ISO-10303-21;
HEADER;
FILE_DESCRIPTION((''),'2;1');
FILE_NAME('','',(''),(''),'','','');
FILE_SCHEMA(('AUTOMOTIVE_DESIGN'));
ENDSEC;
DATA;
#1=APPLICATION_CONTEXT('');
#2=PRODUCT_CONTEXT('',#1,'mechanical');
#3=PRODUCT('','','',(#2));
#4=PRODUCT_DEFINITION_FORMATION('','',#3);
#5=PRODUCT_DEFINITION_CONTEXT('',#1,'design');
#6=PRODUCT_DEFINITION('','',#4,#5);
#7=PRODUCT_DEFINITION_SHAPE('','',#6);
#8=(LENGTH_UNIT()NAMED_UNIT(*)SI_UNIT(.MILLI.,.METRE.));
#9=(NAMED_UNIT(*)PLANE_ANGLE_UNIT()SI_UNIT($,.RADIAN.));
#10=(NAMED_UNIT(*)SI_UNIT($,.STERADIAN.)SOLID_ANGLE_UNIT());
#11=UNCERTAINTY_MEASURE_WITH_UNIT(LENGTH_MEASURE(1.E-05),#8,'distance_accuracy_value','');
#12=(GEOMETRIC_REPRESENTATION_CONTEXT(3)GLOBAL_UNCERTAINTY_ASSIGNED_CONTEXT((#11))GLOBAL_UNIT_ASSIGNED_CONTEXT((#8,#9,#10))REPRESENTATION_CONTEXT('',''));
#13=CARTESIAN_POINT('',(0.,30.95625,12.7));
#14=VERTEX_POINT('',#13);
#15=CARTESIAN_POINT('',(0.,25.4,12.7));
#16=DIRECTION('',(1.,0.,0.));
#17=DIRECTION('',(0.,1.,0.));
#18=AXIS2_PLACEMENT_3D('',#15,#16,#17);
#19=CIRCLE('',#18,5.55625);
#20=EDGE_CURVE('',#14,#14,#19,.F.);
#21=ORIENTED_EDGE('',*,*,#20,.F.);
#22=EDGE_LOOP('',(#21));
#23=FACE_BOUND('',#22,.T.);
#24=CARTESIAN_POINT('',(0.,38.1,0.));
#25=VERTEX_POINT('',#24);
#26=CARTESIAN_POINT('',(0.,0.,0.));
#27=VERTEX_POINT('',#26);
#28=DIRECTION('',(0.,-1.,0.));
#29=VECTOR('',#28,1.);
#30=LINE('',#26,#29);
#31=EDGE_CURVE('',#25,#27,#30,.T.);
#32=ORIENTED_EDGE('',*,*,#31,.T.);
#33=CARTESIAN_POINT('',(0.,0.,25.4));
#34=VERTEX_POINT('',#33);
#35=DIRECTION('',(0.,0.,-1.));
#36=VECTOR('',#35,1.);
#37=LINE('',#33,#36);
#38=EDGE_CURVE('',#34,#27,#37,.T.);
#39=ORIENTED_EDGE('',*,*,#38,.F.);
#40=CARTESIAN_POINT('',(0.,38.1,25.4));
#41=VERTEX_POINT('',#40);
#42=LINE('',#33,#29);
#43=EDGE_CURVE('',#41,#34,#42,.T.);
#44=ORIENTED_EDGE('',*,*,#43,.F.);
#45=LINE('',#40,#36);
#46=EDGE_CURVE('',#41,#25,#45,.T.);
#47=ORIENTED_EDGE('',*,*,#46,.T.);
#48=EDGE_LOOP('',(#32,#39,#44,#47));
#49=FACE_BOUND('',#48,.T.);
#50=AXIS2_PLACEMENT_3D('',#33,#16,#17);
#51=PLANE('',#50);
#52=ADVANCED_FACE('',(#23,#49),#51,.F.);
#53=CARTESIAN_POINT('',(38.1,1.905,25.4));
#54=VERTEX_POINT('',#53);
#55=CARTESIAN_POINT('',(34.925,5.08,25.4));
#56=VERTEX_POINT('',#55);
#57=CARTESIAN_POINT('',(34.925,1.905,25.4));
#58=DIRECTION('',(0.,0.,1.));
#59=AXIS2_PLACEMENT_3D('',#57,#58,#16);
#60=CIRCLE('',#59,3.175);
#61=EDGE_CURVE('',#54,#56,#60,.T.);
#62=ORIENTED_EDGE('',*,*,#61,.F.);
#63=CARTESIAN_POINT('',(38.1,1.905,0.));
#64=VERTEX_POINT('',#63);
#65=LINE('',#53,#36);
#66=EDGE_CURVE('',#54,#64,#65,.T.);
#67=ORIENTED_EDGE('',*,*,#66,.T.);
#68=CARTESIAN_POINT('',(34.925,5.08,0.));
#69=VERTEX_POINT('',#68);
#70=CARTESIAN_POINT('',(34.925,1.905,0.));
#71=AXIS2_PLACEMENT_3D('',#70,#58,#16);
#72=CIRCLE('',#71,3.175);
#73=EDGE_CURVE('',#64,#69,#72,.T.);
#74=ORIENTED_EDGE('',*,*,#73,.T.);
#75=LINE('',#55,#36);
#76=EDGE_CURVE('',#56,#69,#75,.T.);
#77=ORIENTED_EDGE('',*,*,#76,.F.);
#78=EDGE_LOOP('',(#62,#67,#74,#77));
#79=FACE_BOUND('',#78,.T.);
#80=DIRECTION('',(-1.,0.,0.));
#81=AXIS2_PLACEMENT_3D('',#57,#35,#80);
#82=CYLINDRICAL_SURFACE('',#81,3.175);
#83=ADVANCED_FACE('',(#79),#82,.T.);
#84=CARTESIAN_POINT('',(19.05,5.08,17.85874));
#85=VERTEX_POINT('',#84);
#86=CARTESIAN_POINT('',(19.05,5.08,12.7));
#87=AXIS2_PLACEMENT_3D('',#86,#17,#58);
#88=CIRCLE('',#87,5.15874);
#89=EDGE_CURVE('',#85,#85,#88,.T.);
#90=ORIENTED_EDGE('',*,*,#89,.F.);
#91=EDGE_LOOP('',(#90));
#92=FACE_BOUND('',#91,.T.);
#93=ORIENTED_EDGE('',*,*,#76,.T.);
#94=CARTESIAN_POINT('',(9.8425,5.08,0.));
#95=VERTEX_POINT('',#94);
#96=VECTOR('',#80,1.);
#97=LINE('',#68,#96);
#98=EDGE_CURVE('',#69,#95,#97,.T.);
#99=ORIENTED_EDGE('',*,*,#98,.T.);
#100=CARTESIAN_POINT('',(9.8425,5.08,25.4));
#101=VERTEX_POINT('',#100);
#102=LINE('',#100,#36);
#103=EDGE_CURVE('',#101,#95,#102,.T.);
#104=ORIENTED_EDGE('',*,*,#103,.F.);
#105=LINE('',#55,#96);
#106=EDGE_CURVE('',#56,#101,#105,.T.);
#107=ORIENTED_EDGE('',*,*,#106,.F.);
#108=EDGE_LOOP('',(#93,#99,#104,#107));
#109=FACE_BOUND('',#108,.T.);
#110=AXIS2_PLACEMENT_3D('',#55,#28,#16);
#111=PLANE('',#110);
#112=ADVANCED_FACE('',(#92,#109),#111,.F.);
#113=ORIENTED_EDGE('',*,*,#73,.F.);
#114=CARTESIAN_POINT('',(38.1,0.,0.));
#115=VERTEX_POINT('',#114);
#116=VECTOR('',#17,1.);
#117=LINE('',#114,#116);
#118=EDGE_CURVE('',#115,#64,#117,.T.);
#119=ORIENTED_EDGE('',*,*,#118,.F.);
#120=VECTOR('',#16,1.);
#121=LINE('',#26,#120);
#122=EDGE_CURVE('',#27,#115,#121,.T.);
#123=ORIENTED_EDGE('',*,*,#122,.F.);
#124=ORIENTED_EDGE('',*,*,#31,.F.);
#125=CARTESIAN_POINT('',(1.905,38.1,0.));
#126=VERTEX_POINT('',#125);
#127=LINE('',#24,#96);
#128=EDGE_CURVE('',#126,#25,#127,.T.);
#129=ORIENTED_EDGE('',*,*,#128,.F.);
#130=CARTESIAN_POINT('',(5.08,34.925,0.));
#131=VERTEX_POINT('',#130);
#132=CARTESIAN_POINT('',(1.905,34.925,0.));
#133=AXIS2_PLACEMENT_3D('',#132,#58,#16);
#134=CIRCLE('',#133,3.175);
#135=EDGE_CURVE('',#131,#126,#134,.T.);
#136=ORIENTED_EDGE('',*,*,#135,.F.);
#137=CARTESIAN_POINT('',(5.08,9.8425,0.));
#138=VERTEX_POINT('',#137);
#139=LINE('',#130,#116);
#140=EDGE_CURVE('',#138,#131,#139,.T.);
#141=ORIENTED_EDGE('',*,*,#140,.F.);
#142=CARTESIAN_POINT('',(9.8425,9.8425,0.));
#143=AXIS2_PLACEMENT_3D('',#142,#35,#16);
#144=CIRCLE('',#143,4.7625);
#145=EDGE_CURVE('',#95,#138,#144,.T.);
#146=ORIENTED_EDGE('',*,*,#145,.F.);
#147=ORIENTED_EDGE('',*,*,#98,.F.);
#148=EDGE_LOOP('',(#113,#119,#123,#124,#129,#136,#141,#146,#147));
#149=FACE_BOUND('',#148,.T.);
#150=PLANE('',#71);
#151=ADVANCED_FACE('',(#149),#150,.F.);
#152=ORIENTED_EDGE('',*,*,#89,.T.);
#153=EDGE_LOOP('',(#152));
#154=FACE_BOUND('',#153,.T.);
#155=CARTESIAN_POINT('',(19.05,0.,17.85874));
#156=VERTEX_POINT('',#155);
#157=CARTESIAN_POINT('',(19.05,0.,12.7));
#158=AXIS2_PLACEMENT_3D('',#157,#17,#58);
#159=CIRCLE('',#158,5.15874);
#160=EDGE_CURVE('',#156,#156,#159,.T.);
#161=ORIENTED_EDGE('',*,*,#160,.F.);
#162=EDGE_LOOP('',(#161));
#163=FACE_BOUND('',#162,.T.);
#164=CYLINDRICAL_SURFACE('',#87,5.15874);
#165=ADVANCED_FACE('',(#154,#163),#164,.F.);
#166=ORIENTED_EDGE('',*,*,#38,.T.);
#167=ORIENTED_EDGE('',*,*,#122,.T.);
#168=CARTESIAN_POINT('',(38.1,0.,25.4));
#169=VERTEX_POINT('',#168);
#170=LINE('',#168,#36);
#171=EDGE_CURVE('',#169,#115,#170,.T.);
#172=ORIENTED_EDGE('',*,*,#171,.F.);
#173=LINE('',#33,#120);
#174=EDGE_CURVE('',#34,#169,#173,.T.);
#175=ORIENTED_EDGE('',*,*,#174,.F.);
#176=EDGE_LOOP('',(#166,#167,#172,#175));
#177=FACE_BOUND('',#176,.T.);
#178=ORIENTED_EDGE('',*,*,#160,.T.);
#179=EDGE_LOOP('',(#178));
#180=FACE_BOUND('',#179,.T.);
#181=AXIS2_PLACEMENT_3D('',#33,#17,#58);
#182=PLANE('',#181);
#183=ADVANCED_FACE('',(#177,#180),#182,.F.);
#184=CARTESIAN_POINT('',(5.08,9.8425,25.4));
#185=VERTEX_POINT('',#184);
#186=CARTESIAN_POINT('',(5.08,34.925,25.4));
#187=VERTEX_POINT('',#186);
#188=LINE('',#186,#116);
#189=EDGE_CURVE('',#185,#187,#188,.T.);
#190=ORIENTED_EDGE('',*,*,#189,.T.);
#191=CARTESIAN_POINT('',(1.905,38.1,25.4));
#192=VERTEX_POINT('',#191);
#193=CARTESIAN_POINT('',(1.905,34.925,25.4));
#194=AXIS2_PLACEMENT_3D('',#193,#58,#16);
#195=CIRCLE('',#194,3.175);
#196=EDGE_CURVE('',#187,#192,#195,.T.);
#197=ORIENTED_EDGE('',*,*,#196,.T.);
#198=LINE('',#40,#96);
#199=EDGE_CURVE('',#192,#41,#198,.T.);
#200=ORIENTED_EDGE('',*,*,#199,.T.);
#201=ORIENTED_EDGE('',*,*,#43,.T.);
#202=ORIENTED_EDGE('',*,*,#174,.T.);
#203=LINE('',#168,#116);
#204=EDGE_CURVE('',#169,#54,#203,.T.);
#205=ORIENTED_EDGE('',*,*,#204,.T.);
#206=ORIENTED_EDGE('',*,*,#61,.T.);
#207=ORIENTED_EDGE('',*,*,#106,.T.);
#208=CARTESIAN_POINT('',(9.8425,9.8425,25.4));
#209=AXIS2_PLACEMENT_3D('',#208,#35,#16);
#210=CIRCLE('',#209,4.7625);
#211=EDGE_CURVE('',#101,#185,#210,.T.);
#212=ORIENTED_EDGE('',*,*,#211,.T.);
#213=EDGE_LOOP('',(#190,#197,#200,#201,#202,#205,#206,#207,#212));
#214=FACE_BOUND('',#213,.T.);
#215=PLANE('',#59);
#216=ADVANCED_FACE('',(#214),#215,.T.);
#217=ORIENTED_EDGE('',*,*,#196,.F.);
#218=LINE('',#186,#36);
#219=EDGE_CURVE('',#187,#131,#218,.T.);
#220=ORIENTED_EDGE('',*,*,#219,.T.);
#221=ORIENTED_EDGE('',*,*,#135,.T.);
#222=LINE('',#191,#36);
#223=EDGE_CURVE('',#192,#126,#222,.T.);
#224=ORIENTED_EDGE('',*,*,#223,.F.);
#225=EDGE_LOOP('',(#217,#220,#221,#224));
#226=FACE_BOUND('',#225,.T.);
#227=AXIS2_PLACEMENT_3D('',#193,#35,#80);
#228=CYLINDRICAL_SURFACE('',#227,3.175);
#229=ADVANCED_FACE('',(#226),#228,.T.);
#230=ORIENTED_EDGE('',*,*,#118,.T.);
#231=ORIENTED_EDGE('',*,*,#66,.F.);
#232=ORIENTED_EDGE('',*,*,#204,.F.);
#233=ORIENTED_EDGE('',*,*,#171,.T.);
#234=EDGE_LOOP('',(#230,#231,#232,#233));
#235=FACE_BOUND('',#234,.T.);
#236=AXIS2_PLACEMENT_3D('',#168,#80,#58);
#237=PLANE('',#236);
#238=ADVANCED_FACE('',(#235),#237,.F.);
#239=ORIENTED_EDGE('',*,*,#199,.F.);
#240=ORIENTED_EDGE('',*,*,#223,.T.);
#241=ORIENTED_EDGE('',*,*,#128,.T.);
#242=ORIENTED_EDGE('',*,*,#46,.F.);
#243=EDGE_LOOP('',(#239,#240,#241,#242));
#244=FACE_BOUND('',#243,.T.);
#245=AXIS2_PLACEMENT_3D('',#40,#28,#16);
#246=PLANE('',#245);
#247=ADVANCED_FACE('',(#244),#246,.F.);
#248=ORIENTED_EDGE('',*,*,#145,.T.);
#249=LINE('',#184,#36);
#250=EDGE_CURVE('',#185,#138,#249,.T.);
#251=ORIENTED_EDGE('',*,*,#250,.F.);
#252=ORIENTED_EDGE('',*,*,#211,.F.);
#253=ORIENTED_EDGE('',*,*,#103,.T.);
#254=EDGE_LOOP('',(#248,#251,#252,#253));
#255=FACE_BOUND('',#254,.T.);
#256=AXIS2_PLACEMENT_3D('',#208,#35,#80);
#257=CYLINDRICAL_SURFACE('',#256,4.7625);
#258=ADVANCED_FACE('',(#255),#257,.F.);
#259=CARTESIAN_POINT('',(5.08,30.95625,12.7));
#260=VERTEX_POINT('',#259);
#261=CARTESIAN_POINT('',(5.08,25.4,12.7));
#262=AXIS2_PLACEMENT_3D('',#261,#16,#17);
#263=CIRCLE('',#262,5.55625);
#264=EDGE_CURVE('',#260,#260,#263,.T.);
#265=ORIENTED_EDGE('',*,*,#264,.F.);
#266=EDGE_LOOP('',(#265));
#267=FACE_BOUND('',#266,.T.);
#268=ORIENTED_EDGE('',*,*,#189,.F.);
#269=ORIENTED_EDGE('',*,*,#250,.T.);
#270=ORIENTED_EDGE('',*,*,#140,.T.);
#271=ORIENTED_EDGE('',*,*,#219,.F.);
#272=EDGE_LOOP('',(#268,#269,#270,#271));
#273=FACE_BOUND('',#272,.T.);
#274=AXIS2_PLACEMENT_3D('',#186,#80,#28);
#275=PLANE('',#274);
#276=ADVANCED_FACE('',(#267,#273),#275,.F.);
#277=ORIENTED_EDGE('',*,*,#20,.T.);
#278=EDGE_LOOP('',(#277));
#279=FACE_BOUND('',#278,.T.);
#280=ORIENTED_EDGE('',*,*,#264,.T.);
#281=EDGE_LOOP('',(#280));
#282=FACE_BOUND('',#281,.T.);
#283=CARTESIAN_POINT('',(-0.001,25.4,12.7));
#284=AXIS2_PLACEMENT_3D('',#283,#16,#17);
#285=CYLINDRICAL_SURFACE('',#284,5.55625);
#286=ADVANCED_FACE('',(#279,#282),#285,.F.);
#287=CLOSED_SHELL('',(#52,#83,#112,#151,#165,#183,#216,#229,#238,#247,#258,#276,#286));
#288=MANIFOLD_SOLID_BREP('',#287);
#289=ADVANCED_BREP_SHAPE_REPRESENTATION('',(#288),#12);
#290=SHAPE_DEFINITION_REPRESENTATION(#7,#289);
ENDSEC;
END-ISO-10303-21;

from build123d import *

# Parameters (mm, degrees)
EXTRUDE1_DEPTH          = 25.4
F_3_8_CLEARANCE_HOLE1_D = 10.31748
CUT_EXTRUDE1_REACH      = 58.454
SKETCH5_R               = 5.55625


with BuildPart() as part:
    # Sketch1 → Extrude1 (new body)
    with BuildSketch(Plane.XY):
        with BuildLine():
            Line((0, 0), (0, 38.1))
            Line((0, 38.1), (1.905, 38.1))
            ThreePointArc((1.905, 38.1), (4.15006403, 37.17006403), (5.08, 34.925))
            Line((5.08, 34.925), (5.08, 9.8425))
            ThreePointArc((5.08, 9.8425), (6.474903955, 6.474903955), (9.8425, 5.08))
            Line((9.8425, 5.08), (34.925, 5.08))
            ThreePointArc((34.925, 5.08), (37.17006403, 4.15006403), (38.1, 1.905))
            Line((38.1, 1.905), (38.1, 0))
            Line((38.1, 0), (0, 0))
        make_face()
    extrude(amount=EXTRUDE1_DEPTH)

    # 3/8 Clearance Hole1 (through all)
    with Locations(Plane(origin=(0, 5.08, 0), x_dir=(-1, 0, 0), z_dir=(0, 1, 0))):
        with Locations((-19.05, 12.7)):
            Hole(F_3_8_CLEARANCE_HOLE1_D / 2)

    # Sketch5 → Cut-Extrude1 (cut, up to next)
    with BuildSketch(Plane(origin=(5.08, 0, 0), x_dir=(0, 0, -1), z_dir=(1, 0, 0)), mode=Mode.PRIVATE) as cut_extrude1_sk1:
        with Locations(Location((-12.7, 25.4, 0), (0, 0, 90))):
            Circle(SKETCH5_R)
    cut_extrude1_tool1 = extrude(cut_extrude1_sk1.sketch, amount=-CUT_EXTRUDE1_REACH, mode=Mode.PRIVATE) & part.part
    add(cut_extrude1_tool1.solids().sort_by_distance((5.08, 25.4, 12.7))[0], mode=Mode.SUBTRACT)


solid = part.part
